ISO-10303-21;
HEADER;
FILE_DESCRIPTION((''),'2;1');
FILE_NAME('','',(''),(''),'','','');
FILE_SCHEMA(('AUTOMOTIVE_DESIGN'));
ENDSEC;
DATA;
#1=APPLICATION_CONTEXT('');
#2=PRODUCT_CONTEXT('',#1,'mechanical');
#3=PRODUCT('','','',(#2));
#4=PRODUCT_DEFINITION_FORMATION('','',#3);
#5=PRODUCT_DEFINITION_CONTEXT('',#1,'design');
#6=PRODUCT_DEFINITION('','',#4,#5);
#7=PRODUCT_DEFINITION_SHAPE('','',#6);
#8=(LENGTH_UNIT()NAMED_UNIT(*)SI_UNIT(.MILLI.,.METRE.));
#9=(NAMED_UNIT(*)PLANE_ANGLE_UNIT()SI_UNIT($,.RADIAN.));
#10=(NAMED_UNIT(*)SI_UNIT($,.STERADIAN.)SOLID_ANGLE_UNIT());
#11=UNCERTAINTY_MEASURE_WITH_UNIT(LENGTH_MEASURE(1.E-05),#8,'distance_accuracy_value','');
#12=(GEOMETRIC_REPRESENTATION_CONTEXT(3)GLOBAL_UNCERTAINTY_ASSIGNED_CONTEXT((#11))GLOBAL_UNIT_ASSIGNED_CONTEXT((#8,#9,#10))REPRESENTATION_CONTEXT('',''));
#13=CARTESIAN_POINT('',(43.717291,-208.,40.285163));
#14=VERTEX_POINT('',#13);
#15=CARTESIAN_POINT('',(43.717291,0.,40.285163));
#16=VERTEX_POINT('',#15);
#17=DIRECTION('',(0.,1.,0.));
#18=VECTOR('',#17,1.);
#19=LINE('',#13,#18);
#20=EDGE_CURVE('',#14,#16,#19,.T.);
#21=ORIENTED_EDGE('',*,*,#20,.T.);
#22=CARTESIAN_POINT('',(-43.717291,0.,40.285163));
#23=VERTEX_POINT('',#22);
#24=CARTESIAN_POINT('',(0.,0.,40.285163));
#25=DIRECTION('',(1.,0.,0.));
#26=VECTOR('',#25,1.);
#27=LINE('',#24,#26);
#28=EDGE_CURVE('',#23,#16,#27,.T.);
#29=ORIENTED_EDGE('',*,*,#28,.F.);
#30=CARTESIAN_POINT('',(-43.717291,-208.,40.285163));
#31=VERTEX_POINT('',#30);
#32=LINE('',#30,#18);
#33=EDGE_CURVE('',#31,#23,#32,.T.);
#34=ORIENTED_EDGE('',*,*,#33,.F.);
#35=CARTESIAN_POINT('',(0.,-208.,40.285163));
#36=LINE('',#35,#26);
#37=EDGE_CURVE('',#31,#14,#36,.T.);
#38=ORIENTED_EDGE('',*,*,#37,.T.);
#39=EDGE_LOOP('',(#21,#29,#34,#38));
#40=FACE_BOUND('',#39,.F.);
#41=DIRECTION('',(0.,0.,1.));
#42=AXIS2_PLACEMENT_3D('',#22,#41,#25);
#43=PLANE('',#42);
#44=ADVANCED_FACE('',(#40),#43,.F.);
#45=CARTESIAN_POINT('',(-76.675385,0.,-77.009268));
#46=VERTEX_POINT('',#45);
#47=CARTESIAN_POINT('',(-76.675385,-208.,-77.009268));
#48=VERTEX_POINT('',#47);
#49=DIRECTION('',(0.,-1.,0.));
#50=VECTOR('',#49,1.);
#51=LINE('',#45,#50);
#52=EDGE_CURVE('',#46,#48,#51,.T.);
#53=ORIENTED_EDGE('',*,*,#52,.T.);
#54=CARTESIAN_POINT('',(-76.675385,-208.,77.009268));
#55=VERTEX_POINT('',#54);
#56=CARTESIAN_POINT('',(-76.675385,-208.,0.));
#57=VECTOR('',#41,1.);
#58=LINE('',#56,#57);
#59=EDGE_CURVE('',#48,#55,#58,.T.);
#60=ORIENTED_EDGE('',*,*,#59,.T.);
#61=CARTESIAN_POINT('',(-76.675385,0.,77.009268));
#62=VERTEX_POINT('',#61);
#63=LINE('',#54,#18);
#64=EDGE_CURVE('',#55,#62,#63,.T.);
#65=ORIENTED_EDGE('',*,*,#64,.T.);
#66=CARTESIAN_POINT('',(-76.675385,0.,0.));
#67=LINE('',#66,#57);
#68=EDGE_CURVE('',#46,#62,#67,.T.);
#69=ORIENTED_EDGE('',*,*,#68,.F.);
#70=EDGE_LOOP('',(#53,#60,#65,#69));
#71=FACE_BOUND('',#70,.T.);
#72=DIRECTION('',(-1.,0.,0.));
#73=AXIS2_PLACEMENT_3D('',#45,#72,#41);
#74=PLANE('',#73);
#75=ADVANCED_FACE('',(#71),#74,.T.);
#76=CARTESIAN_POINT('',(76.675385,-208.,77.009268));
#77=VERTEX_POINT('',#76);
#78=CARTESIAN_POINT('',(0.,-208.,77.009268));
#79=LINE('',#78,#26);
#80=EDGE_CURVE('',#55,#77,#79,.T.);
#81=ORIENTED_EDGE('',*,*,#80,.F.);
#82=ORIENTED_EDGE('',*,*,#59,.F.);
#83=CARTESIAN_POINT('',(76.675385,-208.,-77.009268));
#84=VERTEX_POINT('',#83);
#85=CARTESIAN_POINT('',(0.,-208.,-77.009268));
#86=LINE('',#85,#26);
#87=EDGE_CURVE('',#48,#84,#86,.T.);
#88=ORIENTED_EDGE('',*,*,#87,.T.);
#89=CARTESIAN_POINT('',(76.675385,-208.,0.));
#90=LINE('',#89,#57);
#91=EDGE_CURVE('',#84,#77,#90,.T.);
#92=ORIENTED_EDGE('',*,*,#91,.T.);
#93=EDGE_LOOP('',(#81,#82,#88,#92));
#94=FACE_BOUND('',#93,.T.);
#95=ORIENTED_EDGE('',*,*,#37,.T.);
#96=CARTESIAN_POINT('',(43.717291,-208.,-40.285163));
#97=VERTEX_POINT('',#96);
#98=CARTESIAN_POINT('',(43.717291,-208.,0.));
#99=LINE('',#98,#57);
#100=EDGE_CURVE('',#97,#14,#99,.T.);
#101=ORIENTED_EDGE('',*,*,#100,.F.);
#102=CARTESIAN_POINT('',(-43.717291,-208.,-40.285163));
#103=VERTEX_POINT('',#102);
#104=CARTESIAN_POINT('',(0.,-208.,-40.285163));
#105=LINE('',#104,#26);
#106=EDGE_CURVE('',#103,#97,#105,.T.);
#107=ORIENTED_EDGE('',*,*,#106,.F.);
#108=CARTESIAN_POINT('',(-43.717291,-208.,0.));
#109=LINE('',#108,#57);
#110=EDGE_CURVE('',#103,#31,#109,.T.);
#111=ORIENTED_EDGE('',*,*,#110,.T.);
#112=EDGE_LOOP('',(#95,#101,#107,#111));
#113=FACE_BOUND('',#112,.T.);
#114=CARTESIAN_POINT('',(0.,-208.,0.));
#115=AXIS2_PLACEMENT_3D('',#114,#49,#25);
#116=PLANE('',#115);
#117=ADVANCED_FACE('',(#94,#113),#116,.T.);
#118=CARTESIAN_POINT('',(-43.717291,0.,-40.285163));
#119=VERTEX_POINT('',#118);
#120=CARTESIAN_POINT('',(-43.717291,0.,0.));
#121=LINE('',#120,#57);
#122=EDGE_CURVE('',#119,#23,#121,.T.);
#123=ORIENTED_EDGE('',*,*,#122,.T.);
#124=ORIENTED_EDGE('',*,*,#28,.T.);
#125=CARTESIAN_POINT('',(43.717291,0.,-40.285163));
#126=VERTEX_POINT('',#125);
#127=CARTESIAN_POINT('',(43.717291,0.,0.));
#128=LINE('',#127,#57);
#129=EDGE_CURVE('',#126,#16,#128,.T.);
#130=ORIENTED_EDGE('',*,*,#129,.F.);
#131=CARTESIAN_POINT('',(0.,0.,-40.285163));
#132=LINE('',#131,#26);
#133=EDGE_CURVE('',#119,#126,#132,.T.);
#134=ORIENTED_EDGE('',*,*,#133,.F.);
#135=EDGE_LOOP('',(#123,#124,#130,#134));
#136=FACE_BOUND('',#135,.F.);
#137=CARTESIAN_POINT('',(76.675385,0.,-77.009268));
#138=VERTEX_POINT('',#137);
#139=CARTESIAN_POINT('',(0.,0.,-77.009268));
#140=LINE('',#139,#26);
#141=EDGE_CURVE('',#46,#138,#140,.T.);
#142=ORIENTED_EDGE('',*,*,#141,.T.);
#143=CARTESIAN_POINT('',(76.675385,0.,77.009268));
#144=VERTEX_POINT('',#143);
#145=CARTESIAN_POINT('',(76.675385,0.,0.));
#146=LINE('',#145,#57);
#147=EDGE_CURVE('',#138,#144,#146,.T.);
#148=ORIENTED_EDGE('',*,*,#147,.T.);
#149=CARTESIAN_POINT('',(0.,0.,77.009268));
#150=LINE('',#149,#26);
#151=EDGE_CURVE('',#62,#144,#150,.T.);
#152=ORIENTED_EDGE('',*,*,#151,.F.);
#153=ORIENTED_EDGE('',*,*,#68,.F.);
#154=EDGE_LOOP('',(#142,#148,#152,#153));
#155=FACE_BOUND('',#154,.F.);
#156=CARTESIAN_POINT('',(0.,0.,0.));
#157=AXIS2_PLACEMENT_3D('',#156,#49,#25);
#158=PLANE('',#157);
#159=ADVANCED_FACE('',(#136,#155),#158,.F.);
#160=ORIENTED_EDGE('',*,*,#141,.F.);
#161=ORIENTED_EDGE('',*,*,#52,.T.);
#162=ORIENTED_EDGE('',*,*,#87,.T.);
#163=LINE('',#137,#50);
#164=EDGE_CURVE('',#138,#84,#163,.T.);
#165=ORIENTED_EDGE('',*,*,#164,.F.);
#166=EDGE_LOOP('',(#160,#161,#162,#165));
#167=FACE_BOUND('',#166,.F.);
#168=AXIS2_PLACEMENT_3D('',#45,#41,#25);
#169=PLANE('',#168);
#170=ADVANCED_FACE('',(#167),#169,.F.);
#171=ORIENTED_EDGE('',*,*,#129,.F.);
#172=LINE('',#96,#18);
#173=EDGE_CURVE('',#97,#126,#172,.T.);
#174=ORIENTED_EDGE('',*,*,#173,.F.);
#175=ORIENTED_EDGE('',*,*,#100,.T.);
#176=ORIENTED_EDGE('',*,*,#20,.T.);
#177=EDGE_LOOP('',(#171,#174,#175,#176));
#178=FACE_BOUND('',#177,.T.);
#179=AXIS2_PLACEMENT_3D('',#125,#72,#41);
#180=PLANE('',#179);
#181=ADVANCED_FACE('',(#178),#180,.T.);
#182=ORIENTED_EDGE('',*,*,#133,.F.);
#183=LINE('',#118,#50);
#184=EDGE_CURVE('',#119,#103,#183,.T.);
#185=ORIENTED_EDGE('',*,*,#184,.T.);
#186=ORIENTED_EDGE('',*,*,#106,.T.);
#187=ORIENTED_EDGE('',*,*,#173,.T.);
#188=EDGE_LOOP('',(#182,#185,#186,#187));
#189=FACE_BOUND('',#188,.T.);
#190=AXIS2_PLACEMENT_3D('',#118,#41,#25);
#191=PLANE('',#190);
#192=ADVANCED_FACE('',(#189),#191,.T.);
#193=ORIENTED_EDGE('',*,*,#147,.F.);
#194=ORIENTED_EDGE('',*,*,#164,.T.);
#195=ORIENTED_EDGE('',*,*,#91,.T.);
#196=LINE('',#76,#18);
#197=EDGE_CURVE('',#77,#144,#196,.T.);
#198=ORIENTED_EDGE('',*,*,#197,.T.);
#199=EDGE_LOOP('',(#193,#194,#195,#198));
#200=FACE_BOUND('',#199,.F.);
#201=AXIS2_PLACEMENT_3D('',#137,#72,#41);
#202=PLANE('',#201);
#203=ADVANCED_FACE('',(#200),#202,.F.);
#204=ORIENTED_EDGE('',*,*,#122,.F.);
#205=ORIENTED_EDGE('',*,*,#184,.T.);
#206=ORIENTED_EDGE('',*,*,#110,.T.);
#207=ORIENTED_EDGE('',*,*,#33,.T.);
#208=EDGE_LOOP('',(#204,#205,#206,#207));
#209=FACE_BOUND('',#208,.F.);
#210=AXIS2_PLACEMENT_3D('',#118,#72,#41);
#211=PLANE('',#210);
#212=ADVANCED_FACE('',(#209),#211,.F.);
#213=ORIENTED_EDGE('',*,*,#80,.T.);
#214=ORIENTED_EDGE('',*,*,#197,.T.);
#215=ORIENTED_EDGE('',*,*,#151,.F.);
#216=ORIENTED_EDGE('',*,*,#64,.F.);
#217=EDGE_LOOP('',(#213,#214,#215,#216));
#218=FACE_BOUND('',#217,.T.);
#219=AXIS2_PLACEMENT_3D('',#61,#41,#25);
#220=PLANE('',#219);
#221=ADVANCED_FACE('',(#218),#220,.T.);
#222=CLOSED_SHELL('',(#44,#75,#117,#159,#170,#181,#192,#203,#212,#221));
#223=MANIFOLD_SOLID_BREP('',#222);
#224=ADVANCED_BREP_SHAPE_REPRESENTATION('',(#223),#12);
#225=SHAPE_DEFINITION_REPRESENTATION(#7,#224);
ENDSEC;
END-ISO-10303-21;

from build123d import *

# Parameters (mm, degrees)
F0_W     = 153.35077
F0_H     = 154.018536
F0_W_2   = 87.434582
F0_H_2   = 80.570326
F1_DEPTH = 35
F2_DEPTH = 208


with BuildPart() as f1:
    # F0 (on Front) → F1 (new body)
    with BuildSketch(Plane.XZ):
        Rectangle(F0_W, F0_H)
        Rectangle(F0_W_2, F0_H_2, mode=Mode.SUBTRACT)
    extrude(amount=F1_DEPTH)

    # F0 (on Front) → F2 (join)
    with BuildSketch(Plane.XZ):
        Rectangle(F0_W, F0_H)
        Rectangle(F0_W_2, F0_H_2, mode=Mode.SUBTRACT)
    extrude(amount=F2_DEPTH)


solid = f1.part
